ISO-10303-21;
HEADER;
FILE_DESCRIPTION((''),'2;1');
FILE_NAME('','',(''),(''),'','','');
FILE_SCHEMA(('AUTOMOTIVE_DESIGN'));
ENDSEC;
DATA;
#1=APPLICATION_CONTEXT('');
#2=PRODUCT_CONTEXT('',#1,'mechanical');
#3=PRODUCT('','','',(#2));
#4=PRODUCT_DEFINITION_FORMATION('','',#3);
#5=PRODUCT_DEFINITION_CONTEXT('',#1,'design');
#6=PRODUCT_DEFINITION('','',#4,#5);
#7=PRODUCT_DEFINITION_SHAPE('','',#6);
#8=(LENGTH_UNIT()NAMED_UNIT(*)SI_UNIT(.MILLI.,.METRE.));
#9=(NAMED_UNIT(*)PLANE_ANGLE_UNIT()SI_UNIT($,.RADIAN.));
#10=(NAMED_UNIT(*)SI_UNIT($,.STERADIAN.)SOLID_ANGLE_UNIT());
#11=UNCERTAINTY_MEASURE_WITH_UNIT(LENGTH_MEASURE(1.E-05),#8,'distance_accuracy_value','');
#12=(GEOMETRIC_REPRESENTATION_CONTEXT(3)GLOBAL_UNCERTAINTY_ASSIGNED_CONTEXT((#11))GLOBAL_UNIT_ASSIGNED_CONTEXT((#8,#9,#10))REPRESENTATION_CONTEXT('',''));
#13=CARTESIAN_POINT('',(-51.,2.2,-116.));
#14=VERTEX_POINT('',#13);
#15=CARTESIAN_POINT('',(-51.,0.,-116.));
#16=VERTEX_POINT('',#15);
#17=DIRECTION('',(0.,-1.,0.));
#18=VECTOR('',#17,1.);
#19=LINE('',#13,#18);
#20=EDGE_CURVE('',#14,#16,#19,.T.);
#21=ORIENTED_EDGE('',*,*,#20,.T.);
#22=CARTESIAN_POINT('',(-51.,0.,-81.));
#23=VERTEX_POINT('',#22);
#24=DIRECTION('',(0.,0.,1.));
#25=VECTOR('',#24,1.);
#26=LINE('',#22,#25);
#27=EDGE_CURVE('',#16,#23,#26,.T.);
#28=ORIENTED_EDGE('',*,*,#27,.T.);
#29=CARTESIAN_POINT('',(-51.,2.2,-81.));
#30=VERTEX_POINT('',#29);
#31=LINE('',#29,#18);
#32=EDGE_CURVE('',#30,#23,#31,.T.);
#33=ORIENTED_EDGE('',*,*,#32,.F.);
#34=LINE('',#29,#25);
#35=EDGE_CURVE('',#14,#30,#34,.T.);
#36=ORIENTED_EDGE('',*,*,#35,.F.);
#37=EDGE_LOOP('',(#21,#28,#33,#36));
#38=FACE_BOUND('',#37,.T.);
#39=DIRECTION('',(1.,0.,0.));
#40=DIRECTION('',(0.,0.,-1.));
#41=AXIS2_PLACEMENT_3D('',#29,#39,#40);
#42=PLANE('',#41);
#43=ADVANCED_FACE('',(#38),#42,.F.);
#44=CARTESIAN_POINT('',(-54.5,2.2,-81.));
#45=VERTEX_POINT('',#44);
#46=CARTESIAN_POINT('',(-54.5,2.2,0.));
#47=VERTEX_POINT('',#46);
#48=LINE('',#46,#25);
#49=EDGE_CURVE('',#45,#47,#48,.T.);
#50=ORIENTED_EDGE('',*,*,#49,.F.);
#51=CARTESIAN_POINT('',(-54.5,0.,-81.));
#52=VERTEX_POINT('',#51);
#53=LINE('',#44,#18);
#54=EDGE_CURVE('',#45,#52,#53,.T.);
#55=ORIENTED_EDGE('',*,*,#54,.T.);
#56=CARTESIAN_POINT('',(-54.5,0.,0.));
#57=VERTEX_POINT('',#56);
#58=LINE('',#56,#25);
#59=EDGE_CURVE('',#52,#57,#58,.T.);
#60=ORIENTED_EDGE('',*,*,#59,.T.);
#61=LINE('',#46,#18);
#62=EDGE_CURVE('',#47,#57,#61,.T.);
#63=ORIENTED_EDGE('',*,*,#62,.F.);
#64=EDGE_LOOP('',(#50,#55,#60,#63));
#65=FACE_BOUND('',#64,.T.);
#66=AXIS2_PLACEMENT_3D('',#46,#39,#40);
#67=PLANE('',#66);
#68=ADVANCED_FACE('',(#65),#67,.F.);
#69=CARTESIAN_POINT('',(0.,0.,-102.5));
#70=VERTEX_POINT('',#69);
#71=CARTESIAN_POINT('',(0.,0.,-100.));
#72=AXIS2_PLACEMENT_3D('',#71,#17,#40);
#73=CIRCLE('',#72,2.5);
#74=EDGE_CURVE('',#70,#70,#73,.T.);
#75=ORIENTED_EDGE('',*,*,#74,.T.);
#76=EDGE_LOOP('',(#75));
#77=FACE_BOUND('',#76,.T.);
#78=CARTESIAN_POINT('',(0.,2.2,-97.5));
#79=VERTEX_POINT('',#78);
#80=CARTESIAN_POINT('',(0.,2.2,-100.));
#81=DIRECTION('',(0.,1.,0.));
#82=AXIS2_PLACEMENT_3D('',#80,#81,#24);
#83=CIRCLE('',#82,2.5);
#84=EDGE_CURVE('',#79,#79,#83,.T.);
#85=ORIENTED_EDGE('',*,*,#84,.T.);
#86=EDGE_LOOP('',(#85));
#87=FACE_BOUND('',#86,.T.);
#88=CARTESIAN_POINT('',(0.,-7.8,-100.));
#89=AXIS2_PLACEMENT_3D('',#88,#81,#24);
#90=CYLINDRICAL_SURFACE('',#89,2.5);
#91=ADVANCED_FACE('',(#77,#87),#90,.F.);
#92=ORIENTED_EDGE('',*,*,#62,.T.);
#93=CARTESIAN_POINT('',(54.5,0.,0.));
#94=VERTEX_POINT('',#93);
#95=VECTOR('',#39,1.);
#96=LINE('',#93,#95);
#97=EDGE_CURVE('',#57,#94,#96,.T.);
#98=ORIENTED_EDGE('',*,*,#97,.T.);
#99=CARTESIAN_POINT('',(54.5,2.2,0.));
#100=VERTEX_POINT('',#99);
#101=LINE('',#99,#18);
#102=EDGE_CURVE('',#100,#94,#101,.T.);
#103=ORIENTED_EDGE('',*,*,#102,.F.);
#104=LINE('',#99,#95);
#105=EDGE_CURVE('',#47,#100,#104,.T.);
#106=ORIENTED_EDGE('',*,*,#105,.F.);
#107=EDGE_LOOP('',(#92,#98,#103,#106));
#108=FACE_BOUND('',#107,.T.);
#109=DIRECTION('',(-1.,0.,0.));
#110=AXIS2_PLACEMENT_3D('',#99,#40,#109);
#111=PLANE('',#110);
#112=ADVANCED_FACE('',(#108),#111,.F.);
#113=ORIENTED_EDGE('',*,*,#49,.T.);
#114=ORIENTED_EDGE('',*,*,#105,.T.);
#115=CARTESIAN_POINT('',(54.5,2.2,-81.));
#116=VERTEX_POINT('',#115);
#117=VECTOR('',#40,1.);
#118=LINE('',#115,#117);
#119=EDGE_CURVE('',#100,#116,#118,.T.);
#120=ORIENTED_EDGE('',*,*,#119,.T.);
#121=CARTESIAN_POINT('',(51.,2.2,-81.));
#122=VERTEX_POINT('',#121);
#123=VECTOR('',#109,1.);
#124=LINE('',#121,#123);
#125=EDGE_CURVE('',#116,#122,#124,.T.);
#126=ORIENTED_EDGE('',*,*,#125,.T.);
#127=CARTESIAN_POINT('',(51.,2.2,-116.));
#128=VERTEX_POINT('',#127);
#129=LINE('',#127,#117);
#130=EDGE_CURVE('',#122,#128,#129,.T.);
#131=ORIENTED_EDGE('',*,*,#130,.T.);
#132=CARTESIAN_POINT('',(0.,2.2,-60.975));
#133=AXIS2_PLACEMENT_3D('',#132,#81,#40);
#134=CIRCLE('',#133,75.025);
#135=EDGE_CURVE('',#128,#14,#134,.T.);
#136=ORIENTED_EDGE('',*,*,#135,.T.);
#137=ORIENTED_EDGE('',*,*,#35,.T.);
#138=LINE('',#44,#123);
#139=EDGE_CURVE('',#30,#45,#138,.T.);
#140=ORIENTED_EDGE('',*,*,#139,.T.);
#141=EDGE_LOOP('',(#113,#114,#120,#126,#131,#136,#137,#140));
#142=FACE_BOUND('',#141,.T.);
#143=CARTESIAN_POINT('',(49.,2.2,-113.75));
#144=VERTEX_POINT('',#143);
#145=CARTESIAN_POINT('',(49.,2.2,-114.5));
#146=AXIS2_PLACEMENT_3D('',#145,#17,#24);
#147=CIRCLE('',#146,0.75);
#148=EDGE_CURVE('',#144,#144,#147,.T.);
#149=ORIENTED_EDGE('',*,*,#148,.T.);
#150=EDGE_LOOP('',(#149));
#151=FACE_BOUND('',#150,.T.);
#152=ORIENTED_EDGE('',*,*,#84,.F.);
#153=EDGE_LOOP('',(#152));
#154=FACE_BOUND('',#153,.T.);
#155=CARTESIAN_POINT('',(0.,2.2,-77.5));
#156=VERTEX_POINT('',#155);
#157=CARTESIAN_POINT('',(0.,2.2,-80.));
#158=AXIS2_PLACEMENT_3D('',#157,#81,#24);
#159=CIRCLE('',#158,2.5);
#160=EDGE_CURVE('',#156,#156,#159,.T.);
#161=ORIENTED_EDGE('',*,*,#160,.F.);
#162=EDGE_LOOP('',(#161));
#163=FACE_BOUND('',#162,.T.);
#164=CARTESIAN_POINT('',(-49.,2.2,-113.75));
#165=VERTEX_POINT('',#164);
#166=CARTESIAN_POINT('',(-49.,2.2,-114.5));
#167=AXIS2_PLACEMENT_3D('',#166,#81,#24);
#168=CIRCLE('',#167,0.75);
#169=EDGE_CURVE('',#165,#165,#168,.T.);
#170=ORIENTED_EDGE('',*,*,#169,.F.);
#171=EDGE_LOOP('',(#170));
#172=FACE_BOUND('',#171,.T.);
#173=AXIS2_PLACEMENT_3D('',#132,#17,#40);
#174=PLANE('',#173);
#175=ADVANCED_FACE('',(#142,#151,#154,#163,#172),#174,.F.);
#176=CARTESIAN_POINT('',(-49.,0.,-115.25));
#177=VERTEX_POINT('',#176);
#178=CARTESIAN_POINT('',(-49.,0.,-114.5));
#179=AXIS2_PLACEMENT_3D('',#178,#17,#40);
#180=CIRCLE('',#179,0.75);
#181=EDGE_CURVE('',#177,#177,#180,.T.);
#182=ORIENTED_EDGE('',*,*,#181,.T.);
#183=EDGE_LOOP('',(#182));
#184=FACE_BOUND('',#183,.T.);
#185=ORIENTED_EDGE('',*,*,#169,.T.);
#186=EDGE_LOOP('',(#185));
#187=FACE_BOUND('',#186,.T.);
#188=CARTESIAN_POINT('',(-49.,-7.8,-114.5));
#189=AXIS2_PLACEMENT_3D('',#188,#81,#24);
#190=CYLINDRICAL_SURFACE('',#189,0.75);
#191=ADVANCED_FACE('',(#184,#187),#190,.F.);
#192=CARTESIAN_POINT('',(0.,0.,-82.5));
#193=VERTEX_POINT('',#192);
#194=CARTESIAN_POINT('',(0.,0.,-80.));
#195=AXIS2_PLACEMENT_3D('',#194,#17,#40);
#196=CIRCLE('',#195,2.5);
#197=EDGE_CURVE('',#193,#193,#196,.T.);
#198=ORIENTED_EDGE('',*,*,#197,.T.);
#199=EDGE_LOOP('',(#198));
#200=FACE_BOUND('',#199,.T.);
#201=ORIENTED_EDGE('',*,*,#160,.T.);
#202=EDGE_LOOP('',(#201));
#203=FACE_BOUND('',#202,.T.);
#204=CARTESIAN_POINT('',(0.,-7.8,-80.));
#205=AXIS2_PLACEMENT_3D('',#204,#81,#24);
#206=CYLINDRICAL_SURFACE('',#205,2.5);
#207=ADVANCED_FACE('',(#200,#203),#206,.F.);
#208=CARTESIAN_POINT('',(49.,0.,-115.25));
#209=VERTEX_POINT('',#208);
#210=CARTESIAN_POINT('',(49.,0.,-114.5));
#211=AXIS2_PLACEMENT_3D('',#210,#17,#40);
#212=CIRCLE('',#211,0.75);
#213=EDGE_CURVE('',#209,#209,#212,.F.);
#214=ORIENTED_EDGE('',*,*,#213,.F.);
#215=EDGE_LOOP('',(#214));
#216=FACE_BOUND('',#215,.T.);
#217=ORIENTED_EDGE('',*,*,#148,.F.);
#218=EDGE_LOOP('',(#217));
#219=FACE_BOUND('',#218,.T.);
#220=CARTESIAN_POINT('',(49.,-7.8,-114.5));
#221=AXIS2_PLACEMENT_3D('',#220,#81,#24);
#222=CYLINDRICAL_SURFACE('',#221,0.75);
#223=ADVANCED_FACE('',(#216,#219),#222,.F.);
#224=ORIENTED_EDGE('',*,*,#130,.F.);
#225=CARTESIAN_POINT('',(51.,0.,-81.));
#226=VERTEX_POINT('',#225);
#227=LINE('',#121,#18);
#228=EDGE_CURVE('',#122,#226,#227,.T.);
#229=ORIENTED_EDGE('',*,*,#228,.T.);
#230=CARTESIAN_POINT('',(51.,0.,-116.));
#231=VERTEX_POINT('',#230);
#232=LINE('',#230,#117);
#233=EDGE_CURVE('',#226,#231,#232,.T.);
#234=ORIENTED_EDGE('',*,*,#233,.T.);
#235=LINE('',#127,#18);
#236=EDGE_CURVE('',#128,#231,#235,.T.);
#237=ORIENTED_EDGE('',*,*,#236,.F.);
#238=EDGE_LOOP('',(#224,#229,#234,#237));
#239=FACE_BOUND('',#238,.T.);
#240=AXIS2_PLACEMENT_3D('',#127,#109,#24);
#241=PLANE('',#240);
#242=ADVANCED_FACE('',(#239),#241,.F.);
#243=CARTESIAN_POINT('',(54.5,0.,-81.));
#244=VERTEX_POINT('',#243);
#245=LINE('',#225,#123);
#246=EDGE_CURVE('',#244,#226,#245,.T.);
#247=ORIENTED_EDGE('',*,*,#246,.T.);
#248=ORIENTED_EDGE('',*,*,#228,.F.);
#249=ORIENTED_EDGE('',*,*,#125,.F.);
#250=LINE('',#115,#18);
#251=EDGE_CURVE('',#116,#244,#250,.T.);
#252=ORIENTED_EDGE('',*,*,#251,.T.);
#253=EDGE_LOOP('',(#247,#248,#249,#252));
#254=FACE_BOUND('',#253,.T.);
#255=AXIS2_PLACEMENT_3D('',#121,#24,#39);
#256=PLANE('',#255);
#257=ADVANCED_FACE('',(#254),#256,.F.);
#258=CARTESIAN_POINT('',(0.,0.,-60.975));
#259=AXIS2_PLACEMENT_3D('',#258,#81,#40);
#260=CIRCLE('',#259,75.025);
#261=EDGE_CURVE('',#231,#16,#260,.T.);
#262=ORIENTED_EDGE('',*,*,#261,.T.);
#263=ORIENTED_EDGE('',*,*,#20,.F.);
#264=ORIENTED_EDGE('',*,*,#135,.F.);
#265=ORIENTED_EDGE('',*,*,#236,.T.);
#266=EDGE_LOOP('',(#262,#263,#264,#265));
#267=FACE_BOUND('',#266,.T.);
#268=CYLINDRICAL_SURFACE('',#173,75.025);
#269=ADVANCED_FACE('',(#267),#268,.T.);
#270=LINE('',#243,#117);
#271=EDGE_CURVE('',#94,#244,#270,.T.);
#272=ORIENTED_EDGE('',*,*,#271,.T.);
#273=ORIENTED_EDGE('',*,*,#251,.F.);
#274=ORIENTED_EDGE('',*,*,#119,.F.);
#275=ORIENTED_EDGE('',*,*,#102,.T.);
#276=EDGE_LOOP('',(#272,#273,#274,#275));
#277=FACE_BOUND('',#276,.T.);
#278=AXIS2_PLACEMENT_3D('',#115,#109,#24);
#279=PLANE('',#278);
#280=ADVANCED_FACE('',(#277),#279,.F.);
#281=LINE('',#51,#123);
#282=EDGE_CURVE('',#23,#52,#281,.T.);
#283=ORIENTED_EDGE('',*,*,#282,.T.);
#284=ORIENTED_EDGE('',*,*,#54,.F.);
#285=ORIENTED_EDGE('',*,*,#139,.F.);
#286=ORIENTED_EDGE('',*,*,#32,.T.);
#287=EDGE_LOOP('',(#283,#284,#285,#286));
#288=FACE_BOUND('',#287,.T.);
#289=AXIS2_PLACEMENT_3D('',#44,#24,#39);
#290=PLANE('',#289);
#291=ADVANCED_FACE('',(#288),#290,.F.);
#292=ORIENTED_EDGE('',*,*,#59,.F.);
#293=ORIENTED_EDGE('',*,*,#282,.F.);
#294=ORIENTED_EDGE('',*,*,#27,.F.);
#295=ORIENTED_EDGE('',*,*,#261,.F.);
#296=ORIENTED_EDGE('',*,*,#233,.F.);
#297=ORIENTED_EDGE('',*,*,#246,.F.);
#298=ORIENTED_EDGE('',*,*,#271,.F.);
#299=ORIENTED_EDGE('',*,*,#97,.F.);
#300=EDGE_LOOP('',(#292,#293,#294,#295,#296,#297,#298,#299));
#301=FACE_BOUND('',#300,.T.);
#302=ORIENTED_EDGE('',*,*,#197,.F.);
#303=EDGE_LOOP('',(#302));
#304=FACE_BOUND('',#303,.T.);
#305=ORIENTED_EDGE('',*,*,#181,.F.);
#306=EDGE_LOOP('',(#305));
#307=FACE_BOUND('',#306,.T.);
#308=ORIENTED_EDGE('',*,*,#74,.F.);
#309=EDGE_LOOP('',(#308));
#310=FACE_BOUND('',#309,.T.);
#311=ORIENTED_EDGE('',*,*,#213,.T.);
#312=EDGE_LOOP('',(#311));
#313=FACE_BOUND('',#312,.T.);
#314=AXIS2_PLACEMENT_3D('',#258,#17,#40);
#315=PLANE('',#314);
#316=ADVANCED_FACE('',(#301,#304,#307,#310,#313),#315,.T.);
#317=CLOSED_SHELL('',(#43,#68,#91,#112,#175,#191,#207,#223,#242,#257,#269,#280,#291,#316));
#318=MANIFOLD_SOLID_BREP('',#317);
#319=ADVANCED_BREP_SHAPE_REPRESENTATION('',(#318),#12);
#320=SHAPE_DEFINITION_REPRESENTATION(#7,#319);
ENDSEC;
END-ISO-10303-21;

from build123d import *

# Parameters (mm, degrees)
BOSS_EXTRUDE1_DEPTH = 2.2
SKETCH2_R           = 0.75
SKETCH2_R_2         = 2.5
CUT_EXTRUDE1_DEPTH  = 10


with BuildPart() as part:
    # Sketch1 → Boss-Extrude1 (new body)
    with BuildSketch(Plane(origin=(0, 0, 0), x_dir=(1, 0, 0), z_dir=(0, 1, 0))):
        with BuildLine():
            Line((-54.5, 0), (-54.5, 81))
            Line((-54.5, 81), (-51, 81))
            Line((-51, 81), (-51, 116))
            ThreePointArc((-51, 116), (0, 136), (51, 116))
            Line((51, 116), (51, 81))
            Line((51, 81), (54.5, 81))
            Line((54.5, 81), (54.5, 0))
            Line((54.5, 0), (-54.5, 0))
        make_face()
    extrude(amount=BOSS_EXTRUDE1_DEPTH)

    # Sketch2 → Cut-Extrude1 (cut)
    with BuildSketch(Plane(origin=(0, 2.2, 0), x_dir=(1, 0, 0), z_dir=(0, 1, 0))):
        with Locations(Location((-49, 114.5, 0), (0, 0, 270))):
            Circle(SKETCH2_R)
        with Locations(Location((0, 100, 0), (0, 0, 270))):
            Circle(SKETCH2_R_2)
        with Locations(Location((0, 80, 0), (0, 0, 270))):
            Circle(SKETCH2_R_2)
    cut_extrude1 = extrude(amount=-CUT_EXTRUDE1_DEPTH, mode=Mode.SUBTRACT)

    # Mirror1: Cut-Extrude1 across plane
    add(cut_extrude1.mirror(Plane(origin=(0, 0, 0), x_dir=(0, 0, 1), z_dir=(1, 0, 0))), mode=Mode.SUBTRACT)


solid = part.part
